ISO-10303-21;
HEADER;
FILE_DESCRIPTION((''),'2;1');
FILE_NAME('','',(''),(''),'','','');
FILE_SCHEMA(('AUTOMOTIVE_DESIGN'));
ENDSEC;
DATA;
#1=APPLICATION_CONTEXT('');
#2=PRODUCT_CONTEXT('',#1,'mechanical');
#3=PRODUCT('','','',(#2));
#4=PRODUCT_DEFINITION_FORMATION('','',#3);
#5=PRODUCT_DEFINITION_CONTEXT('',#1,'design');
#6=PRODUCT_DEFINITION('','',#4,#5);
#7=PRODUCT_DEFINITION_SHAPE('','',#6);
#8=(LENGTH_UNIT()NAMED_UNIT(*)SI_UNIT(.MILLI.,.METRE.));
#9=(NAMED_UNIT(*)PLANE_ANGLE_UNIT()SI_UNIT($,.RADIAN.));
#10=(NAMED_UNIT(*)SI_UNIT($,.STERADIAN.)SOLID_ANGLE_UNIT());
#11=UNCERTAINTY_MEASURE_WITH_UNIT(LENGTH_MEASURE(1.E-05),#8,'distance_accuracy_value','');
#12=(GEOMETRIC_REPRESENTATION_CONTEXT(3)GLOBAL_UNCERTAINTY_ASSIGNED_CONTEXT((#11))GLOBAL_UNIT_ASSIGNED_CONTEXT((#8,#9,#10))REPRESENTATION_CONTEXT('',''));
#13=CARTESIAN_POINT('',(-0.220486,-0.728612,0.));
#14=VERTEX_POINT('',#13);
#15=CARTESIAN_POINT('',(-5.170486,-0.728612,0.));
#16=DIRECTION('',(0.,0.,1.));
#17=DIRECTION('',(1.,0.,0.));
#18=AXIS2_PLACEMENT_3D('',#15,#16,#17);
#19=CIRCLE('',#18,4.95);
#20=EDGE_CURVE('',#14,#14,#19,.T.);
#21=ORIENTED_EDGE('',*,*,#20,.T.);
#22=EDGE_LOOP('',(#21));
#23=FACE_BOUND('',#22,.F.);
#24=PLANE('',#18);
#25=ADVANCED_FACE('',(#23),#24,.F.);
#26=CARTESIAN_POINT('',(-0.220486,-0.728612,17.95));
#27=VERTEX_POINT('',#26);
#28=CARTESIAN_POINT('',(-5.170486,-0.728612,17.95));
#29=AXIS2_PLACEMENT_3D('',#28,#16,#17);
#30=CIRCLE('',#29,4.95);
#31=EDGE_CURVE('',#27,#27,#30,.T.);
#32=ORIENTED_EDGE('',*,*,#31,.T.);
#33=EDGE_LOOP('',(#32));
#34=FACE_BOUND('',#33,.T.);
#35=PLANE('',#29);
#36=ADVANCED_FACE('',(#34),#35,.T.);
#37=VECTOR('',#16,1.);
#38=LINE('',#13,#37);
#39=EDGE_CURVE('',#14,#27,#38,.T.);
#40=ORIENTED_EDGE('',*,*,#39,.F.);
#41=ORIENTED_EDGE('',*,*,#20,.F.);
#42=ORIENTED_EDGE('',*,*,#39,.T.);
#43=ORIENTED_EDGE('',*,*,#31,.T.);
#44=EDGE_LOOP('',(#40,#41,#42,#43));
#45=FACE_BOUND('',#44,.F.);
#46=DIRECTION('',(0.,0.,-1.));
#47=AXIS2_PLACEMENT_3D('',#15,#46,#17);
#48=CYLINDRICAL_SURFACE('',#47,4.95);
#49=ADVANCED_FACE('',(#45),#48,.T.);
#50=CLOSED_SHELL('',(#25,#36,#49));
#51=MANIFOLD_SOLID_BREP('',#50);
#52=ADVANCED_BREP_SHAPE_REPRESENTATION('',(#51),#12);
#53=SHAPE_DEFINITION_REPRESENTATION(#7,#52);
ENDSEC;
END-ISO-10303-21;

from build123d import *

# Parameters (mm, degrees)
SKETCH1_R           = 4.95
BOSS_EXTRUDE1_DEPTH = 17.95


with BuildPart() as part:
    # Sketch1 → Boss-Extrude1 (new body)
    with BuildSketch(Plane.XY):
        with Locations((-5.17048637, -0.728611751)):
            Circle(SKETCH1_R)
    extrude(amount=BOSS_EXTRUDE1_DEPTH)


solid = part.part
